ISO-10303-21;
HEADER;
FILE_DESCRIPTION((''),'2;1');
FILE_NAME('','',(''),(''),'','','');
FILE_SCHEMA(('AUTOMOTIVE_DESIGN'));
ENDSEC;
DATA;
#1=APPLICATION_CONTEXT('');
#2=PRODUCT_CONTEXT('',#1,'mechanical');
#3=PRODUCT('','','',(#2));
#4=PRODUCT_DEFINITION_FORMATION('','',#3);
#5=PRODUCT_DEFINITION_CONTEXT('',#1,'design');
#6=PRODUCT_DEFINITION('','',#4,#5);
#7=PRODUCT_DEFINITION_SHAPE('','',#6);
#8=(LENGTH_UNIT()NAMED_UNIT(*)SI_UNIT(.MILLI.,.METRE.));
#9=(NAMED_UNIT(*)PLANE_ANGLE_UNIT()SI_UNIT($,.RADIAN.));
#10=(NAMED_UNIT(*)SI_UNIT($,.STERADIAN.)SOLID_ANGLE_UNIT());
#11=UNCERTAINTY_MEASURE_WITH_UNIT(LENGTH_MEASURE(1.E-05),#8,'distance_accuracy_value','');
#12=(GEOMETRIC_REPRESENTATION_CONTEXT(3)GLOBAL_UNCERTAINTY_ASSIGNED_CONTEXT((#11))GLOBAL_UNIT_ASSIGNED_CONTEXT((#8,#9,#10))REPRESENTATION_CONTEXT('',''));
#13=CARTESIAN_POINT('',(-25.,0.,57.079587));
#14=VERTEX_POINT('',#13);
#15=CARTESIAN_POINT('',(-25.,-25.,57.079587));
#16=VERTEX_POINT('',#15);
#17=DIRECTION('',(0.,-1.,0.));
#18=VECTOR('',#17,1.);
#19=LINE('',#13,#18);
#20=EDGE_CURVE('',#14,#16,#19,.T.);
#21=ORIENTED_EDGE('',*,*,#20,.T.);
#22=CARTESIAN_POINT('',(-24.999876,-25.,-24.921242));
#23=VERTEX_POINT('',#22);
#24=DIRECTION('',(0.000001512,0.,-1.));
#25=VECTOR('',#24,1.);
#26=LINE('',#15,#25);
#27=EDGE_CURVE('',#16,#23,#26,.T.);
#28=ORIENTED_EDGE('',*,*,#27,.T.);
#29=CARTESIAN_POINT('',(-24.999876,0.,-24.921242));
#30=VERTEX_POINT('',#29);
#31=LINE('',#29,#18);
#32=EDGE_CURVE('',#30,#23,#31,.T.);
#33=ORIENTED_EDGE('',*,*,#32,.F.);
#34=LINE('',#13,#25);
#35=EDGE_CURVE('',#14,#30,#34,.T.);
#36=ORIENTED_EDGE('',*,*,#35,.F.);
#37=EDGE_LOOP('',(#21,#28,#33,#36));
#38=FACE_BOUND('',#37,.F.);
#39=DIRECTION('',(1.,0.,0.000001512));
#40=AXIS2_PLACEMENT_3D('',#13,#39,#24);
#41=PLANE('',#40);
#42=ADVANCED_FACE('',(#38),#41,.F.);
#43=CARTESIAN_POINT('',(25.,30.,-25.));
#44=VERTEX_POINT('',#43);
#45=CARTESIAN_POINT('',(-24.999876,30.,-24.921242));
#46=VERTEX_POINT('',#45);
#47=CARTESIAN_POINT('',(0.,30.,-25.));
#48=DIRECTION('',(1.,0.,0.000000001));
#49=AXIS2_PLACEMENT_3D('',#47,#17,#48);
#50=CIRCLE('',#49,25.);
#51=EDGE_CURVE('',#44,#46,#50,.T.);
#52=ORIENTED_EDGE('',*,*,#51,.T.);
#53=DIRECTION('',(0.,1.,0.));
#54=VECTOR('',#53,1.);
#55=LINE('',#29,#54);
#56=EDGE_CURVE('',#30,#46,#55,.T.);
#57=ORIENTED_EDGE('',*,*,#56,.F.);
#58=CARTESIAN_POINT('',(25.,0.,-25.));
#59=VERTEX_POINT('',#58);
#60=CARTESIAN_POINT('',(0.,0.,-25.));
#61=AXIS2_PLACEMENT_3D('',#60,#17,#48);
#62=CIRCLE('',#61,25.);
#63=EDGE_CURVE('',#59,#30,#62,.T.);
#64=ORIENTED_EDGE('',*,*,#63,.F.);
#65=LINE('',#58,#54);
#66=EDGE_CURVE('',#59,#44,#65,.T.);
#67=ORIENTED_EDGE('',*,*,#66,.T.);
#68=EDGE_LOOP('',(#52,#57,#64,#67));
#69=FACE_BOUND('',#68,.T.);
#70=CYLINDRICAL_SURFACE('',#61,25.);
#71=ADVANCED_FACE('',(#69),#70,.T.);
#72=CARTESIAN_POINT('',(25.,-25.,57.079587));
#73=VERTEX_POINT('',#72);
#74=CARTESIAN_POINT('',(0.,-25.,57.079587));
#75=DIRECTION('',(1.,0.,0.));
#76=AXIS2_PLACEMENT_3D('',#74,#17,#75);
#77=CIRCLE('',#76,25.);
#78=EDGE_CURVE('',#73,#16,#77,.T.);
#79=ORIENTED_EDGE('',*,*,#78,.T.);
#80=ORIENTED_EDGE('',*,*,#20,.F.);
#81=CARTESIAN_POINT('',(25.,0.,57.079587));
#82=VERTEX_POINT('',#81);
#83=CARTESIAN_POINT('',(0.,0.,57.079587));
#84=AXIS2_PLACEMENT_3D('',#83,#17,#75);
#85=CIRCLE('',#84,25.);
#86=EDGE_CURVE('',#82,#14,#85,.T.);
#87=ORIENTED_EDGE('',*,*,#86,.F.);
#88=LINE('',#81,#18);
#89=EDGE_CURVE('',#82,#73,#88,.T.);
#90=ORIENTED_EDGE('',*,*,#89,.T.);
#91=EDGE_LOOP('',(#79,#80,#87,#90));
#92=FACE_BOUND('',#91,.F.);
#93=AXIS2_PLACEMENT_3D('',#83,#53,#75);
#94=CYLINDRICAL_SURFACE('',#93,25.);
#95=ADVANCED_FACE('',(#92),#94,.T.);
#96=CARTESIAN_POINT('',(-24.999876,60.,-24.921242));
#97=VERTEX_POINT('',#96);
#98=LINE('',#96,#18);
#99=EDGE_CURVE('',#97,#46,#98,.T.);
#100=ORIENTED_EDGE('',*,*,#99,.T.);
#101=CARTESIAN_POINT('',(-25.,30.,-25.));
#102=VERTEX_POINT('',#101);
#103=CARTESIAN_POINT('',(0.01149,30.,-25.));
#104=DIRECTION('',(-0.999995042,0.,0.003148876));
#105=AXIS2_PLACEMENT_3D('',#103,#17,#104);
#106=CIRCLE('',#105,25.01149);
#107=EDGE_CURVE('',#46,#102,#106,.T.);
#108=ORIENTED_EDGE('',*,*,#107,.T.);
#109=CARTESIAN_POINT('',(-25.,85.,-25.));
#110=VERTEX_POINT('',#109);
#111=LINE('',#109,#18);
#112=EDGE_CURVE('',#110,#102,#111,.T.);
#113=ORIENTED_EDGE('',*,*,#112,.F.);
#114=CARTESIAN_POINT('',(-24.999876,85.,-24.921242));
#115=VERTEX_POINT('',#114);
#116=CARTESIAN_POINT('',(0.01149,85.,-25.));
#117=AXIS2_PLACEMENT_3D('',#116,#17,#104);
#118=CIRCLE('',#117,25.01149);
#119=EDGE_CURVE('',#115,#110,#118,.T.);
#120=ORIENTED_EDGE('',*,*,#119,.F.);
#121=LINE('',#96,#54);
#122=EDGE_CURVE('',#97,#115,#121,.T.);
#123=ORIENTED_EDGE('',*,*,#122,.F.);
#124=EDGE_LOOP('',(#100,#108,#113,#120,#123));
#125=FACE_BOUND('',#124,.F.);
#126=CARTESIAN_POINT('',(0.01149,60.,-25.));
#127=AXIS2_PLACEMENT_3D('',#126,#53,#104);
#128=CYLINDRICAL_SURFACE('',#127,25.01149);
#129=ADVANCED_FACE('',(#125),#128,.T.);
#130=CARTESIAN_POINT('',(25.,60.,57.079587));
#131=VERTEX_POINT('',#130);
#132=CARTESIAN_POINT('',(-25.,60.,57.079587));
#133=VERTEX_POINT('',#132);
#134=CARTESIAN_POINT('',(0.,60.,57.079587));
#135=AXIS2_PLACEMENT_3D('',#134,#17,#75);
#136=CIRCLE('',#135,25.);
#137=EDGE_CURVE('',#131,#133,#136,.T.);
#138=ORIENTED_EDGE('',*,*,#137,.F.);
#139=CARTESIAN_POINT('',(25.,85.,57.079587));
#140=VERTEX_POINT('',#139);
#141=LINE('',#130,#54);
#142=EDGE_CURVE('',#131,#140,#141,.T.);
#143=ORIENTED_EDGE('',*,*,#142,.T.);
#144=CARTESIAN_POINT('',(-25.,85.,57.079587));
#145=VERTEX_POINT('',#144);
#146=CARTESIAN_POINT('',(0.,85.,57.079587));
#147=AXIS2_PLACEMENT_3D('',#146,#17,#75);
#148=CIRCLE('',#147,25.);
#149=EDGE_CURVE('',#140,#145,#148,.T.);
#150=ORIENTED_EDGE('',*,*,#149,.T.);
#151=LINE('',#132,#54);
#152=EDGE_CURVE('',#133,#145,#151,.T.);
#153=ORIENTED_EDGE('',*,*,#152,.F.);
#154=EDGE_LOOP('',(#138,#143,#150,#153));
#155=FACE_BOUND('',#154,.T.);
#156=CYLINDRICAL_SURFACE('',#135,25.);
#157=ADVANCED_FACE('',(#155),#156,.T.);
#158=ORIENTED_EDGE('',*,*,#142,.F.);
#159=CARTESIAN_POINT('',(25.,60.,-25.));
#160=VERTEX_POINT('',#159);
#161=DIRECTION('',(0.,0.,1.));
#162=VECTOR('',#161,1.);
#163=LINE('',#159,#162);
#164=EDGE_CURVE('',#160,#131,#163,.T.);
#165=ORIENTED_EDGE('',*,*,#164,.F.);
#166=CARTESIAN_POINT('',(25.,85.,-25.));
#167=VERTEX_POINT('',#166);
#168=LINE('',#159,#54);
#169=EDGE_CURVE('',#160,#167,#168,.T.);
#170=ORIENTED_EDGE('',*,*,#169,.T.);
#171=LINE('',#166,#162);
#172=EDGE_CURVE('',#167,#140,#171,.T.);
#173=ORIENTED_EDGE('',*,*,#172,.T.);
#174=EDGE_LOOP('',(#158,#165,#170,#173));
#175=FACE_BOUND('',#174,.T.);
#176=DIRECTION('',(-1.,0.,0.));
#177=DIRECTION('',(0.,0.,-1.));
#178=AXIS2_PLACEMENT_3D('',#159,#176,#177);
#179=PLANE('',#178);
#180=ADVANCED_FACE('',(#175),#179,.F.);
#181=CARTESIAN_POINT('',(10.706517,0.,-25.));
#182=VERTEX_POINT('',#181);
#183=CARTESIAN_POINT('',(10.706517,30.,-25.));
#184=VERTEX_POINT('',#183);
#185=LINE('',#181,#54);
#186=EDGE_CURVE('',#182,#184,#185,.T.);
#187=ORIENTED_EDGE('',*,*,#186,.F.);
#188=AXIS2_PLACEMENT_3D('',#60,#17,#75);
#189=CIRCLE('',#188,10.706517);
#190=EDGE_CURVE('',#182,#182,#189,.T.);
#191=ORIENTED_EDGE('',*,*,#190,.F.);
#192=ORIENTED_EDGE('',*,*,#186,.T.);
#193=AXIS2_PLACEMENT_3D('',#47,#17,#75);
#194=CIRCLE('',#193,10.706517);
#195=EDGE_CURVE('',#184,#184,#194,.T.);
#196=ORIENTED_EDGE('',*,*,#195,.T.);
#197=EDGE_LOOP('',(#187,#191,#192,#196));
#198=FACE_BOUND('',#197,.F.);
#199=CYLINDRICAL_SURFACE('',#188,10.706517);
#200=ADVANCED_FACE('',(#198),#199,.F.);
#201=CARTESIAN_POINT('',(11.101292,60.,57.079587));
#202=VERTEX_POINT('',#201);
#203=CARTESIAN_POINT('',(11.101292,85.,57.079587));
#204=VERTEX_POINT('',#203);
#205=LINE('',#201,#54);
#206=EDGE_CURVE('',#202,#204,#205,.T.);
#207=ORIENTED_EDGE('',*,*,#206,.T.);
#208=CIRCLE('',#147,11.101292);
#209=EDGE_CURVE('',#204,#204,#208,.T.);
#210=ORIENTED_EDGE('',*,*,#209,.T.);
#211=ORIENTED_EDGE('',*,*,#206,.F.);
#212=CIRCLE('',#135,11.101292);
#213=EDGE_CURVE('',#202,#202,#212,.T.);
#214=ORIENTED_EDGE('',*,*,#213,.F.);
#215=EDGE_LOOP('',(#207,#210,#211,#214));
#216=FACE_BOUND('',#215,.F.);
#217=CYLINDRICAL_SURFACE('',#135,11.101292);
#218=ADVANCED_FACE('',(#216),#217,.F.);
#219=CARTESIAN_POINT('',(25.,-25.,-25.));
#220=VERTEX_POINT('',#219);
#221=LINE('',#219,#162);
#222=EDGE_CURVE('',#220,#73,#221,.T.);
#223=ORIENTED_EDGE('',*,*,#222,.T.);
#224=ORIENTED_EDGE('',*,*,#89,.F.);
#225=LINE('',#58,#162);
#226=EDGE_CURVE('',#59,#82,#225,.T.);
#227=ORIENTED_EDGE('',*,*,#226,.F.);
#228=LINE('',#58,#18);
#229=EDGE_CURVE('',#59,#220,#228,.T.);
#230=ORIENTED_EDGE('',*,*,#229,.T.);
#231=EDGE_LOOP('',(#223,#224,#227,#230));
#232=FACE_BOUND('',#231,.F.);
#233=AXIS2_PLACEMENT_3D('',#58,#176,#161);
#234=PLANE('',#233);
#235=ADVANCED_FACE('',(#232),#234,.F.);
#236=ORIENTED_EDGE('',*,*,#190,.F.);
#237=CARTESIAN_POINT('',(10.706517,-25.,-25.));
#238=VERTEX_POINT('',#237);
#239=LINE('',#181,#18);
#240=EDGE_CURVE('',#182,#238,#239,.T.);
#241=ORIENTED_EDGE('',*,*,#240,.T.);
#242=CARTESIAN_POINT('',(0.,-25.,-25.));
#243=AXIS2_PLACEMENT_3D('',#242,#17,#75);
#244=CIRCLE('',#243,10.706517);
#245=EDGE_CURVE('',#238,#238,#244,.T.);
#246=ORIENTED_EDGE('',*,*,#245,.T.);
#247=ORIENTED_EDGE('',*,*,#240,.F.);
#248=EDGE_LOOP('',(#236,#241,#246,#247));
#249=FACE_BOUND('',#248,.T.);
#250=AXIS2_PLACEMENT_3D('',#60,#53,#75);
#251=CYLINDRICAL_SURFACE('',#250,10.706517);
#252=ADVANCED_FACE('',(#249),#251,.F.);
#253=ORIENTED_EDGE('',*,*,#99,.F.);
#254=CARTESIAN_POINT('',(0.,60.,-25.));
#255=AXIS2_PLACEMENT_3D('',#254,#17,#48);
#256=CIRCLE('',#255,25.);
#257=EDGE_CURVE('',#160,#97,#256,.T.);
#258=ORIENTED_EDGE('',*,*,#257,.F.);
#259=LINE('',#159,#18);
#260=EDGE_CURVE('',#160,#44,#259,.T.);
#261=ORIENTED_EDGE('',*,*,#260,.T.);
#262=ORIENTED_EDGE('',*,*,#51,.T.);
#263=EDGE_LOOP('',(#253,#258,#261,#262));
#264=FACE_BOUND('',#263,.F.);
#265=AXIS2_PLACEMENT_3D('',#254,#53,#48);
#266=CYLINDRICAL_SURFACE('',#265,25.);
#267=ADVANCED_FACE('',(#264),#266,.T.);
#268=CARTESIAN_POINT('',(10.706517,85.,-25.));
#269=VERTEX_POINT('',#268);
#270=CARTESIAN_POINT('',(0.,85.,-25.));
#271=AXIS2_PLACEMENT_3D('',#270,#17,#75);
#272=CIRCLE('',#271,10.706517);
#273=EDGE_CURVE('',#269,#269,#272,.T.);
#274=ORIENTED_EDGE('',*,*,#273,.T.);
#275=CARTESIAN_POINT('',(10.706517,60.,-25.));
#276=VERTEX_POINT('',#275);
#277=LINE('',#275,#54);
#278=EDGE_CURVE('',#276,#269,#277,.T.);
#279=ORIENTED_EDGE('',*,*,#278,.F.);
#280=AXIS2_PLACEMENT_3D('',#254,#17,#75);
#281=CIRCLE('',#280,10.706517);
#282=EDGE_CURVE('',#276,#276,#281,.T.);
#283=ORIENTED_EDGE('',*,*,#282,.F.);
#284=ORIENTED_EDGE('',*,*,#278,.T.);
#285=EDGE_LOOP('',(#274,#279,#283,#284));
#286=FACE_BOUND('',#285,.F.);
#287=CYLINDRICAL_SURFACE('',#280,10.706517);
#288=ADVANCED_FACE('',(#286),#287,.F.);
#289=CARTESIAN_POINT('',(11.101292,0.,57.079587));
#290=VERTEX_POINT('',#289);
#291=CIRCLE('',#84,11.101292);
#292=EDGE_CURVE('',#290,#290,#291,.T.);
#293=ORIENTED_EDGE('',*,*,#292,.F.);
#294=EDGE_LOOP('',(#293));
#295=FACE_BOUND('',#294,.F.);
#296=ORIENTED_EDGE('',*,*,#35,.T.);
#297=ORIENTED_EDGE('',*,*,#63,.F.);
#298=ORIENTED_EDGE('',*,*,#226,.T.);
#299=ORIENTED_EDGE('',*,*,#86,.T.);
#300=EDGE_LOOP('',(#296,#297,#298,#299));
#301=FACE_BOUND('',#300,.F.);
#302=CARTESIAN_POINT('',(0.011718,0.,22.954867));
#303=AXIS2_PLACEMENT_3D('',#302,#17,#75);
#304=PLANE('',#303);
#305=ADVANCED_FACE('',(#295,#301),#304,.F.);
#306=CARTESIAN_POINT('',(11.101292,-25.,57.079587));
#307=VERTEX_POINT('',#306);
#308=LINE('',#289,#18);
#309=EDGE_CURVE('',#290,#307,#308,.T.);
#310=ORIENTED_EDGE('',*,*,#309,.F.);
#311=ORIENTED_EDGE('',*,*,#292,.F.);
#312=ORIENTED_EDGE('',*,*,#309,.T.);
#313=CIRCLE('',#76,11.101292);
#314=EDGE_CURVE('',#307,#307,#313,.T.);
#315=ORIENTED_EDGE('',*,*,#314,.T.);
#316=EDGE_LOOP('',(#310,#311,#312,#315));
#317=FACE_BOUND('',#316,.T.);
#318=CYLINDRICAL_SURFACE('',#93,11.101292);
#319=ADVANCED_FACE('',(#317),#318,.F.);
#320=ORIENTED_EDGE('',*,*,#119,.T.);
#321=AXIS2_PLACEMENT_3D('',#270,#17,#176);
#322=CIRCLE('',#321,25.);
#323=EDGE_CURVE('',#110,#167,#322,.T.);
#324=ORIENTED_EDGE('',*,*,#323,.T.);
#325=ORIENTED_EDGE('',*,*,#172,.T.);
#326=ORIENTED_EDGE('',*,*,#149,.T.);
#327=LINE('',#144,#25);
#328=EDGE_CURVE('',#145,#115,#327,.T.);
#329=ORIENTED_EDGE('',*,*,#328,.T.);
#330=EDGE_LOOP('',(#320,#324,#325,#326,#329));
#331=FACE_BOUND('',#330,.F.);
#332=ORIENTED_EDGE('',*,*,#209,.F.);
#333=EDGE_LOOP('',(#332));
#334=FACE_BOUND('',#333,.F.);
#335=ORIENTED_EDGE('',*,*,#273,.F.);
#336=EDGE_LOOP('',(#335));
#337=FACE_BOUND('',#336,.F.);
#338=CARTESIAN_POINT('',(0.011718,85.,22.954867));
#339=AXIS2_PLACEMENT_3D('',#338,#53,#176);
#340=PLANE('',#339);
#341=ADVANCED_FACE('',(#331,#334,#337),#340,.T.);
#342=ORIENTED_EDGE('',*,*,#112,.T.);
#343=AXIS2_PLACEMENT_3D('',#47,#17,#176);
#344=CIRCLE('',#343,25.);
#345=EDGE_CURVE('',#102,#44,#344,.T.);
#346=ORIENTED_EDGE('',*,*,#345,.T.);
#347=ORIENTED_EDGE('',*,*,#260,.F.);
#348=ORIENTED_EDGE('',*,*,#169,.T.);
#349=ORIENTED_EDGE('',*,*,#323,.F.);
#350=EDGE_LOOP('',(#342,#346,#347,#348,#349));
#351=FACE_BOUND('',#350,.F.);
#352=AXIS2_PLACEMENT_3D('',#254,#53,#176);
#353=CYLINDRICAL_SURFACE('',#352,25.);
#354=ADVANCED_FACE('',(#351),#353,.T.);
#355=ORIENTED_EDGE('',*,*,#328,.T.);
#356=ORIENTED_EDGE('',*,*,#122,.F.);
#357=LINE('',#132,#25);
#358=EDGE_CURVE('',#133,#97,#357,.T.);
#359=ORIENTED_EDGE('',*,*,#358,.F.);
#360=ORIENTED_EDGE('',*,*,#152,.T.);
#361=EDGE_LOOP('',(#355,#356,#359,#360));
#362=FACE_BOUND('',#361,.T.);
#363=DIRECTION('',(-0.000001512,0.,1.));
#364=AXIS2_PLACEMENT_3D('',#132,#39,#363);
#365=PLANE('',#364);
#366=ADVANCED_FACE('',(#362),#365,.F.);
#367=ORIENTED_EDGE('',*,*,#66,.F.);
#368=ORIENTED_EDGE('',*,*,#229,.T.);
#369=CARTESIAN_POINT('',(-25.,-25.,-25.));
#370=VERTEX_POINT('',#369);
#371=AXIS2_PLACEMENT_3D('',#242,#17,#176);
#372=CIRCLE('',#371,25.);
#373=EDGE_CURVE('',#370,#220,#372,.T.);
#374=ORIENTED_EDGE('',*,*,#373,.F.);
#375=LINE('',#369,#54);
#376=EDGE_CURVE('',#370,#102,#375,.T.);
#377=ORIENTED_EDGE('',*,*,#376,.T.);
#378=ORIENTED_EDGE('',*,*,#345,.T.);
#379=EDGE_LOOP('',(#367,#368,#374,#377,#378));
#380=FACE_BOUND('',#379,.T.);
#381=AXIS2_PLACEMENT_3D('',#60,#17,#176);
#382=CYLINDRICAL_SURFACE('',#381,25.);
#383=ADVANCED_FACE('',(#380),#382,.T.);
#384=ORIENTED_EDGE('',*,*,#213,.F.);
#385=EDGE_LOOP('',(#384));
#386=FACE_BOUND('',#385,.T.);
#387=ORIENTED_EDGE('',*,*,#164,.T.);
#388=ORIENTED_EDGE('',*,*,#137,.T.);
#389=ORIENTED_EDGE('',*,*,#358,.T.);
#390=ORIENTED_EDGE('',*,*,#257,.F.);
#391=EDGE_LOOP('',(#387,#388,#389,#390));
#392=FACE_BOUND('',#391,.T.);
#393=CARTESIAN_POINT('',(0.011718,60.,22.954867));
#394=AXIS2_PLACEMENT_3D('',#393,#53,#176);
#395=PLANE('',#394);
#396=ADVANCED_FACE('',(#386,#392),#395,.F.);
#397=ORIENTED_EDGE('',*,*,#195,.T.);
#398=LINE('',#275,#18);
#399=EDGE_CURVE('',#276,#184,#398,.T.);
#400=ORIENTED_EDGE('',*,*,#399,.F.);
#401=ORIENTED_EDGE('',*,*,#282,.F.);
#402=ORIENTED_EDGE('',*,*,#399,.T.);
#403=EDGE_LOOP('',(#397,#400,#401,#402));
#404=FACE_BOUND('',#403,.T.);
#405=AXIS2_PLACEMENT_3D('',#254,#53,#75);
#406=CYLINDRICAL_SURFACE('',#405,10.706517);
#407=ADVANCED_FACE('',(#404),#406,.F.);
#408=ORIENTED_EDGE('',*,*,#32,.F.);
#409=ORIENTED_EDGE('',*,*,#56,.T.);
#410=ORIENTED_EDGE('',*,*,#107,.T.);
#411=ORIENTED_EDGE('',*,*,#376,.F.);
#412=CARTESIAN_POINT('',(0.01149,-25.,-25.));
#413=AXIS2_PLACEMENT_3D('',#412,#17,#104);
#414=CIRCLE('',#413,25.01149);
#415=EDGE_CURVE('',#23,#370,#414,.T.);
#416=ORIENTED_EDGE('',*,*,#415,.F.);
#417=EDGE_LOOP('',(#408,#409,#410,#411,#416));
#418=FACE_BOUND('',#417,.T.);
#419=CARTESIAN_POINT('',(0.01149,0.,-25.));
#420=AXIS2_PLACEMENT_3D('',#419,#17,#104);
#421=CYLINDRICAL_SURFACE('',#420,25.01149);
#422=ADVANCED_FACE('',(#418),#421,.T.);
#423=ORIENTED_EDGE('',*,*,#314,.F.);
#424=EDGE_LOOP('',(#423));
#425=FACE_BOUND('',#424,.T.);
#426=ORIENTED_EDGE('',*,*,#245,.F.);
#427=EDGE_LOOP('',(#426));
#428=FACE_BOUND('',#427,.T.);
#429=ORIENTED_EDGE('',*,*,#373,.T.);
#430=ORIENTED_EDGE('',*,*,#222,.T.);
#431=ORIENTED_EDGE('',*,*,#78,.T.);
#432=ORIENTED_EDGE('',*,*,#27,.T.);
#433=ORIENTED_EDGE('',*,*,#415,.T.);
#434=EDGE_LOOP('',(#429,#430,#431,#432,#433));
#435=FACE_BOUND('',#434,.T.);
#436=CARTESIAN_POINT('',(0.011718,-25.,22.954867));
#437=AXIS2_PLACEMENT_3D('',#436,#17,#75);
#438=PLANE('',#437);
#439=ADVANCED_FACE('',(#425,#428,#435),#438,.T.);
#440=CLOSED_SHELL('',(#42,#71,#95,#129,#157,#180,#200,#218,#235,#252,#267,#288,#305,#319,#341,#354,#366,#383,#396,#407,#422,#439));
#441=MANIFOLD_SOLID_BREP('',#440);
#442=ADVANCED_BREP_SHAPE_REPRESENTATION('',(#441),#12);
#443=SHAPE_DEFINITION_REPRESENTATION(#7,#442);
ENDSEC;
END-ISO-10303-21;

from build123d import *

# Parameters (mm, degrees)
F0_R     = 11.101292
F0_R_2   = 10.706517
F1_DEPTH = 25
F2_DEPTH = 30


with BuildPart() as f1:
    # F0 (on Front) → F1 (new body)
    with BuildSketch(Plane.XZ):
        with BuildLine():
            Line((-25, 57.079587), (-24.999876, -24.921242))
            ThreePointArc((-24.999876, -24.921242), (0.039379, -3.1e-05), (25, -25))
            Line((25, -25), (25, 57.079587))
            ThreePointArc((25, 57.079587), (0, 82.079587), (-25, 57.079587))
        make_face()
        with Locations((0, 57.079587)):
            Circle(F0_R, mode=Mode.SUBTRACT)
        with BuildLine():
            ThreePointArc((25, -25), (0.039379, -3.1e-05), (-24.999876, -24.921242))
            ThreePointArc((-24.999876, -24.921242), (-24.999969, -24.960621), (-25, -25))
            ThreePointArc((-25, -25), (0, -50), (25, -25))
        make_face()
        with Locations((0, -25)):
            Circle(F0_R_2, mode=Mode.SUBTRACT)
    extrude(amount=F1_DEPTH)

    # F0 (on Front) → F2 (join)
    with BuildSketch(Plane.XZ):
        with BuildLine():
            ThreePointArc((25, -25), (0.039379, -3.1e-05), (-24.999876, -24.921242))
            ThreePointArc((-24.999876, -24.921242), (-24.999969, -24.960621), (-25, -25))
            ThreePointArc((-25, -25), (0, -50), (25, -25))
        make_face()
        with Locations((0, -25)):
            Circle(F0_R_2, mode=Mode.SUBTRACT)
    extrude(amount=-F2_DEPTH)

    # F3: F1 across face


with BuildPart() as f1_1:
    add(f1.part)
    add(f1.part.mirror(Plane(origin=(0, 30, -25), x_dir=(1, 0, 0), z_dir=(0, 1, 0))))


solid = f1_1.part
